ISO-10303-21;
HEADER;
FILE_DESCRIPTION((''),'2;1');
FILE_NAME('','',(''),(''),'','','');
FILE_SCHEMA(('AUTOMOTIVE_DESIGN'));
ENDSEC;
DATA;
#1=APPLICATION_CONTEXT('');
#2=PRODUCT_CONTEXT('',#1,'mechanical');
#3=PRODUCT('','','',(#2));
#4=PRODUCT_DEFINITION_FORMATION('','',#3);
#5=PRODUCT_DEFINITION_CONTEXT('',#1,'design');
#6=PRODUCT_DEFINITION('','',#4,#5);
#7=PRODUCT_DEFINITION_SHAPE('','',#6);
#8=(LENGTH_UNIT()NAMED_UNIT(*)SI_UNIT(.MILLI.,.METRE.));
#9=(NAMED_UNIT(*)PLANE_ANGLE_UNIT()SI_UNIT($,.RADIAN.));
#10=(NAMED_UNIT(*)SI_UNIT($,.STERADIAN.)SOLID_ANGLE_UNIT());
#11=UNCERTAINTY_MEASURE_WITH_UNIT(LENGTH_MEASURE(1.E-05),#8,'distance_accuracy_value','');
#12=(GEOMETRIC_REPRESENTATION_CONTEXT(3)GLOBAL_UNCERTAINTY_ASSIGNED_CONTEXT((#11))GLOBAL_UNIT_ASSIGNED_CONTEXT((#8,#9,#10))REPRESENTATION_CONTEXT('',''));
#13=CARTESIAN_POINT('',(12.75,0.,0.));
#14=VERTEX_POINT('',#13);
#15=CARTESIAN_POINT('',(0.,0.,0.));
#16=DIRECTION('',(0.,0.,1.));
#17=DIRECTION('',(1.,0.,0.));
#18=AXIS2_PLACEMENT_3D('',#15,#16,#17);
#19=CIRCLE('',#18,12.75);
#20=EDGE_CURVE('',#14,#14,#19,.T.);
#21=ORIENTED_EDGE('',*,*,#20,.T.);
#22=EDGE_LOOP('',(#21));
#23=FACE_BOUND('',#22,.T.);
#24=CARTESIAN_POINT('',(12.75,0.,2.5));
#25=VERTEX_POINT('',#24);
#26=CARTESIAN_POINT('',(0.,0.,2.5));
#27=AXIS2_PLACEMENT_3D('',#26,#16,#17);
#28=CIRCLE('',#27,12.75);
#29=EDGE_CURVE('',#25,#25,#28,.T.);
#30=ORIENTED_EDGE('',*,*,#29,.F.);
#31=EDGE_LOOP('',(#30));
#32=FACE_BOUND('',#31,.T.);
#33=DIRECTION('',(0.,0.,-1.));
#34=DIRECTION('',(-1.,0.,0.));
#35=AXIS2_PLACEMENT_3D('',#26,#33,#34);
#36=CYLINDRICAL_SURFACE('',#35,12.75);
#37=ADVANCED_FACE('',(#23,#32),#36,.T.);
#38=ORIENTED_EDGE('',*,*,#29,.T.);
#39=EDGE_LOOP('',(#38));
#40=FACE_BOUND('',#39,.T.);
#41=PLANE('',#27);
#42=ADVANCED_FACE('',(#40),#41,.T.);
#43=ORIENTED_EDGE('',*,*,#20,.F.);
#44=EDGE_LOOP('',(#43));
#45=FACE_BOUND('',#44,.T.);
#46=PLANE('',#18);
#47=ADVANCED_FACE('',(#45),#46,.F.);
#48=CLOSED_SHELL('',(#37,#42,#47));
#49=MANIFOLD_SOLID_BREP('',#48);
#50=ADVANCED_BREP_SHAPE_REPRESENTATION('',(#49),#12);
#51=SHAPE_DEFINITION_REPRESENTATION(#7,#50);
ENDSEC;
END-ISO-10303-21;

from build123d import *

# Parameters (mm, degrees)
SKETCH1_R           = 12.75
BOSS_EXTRUDE1_DEPTH = 2.5


with BuildPart() as part:
    # Sketch1 → Boss-Extrude1 (new body)
    with BuildSketch(Plane.XY):
        Circle(SKETCH1_R)
    extrude(amount=BOSS_EXTRUDE1_DEPTH)


solid = part.part
